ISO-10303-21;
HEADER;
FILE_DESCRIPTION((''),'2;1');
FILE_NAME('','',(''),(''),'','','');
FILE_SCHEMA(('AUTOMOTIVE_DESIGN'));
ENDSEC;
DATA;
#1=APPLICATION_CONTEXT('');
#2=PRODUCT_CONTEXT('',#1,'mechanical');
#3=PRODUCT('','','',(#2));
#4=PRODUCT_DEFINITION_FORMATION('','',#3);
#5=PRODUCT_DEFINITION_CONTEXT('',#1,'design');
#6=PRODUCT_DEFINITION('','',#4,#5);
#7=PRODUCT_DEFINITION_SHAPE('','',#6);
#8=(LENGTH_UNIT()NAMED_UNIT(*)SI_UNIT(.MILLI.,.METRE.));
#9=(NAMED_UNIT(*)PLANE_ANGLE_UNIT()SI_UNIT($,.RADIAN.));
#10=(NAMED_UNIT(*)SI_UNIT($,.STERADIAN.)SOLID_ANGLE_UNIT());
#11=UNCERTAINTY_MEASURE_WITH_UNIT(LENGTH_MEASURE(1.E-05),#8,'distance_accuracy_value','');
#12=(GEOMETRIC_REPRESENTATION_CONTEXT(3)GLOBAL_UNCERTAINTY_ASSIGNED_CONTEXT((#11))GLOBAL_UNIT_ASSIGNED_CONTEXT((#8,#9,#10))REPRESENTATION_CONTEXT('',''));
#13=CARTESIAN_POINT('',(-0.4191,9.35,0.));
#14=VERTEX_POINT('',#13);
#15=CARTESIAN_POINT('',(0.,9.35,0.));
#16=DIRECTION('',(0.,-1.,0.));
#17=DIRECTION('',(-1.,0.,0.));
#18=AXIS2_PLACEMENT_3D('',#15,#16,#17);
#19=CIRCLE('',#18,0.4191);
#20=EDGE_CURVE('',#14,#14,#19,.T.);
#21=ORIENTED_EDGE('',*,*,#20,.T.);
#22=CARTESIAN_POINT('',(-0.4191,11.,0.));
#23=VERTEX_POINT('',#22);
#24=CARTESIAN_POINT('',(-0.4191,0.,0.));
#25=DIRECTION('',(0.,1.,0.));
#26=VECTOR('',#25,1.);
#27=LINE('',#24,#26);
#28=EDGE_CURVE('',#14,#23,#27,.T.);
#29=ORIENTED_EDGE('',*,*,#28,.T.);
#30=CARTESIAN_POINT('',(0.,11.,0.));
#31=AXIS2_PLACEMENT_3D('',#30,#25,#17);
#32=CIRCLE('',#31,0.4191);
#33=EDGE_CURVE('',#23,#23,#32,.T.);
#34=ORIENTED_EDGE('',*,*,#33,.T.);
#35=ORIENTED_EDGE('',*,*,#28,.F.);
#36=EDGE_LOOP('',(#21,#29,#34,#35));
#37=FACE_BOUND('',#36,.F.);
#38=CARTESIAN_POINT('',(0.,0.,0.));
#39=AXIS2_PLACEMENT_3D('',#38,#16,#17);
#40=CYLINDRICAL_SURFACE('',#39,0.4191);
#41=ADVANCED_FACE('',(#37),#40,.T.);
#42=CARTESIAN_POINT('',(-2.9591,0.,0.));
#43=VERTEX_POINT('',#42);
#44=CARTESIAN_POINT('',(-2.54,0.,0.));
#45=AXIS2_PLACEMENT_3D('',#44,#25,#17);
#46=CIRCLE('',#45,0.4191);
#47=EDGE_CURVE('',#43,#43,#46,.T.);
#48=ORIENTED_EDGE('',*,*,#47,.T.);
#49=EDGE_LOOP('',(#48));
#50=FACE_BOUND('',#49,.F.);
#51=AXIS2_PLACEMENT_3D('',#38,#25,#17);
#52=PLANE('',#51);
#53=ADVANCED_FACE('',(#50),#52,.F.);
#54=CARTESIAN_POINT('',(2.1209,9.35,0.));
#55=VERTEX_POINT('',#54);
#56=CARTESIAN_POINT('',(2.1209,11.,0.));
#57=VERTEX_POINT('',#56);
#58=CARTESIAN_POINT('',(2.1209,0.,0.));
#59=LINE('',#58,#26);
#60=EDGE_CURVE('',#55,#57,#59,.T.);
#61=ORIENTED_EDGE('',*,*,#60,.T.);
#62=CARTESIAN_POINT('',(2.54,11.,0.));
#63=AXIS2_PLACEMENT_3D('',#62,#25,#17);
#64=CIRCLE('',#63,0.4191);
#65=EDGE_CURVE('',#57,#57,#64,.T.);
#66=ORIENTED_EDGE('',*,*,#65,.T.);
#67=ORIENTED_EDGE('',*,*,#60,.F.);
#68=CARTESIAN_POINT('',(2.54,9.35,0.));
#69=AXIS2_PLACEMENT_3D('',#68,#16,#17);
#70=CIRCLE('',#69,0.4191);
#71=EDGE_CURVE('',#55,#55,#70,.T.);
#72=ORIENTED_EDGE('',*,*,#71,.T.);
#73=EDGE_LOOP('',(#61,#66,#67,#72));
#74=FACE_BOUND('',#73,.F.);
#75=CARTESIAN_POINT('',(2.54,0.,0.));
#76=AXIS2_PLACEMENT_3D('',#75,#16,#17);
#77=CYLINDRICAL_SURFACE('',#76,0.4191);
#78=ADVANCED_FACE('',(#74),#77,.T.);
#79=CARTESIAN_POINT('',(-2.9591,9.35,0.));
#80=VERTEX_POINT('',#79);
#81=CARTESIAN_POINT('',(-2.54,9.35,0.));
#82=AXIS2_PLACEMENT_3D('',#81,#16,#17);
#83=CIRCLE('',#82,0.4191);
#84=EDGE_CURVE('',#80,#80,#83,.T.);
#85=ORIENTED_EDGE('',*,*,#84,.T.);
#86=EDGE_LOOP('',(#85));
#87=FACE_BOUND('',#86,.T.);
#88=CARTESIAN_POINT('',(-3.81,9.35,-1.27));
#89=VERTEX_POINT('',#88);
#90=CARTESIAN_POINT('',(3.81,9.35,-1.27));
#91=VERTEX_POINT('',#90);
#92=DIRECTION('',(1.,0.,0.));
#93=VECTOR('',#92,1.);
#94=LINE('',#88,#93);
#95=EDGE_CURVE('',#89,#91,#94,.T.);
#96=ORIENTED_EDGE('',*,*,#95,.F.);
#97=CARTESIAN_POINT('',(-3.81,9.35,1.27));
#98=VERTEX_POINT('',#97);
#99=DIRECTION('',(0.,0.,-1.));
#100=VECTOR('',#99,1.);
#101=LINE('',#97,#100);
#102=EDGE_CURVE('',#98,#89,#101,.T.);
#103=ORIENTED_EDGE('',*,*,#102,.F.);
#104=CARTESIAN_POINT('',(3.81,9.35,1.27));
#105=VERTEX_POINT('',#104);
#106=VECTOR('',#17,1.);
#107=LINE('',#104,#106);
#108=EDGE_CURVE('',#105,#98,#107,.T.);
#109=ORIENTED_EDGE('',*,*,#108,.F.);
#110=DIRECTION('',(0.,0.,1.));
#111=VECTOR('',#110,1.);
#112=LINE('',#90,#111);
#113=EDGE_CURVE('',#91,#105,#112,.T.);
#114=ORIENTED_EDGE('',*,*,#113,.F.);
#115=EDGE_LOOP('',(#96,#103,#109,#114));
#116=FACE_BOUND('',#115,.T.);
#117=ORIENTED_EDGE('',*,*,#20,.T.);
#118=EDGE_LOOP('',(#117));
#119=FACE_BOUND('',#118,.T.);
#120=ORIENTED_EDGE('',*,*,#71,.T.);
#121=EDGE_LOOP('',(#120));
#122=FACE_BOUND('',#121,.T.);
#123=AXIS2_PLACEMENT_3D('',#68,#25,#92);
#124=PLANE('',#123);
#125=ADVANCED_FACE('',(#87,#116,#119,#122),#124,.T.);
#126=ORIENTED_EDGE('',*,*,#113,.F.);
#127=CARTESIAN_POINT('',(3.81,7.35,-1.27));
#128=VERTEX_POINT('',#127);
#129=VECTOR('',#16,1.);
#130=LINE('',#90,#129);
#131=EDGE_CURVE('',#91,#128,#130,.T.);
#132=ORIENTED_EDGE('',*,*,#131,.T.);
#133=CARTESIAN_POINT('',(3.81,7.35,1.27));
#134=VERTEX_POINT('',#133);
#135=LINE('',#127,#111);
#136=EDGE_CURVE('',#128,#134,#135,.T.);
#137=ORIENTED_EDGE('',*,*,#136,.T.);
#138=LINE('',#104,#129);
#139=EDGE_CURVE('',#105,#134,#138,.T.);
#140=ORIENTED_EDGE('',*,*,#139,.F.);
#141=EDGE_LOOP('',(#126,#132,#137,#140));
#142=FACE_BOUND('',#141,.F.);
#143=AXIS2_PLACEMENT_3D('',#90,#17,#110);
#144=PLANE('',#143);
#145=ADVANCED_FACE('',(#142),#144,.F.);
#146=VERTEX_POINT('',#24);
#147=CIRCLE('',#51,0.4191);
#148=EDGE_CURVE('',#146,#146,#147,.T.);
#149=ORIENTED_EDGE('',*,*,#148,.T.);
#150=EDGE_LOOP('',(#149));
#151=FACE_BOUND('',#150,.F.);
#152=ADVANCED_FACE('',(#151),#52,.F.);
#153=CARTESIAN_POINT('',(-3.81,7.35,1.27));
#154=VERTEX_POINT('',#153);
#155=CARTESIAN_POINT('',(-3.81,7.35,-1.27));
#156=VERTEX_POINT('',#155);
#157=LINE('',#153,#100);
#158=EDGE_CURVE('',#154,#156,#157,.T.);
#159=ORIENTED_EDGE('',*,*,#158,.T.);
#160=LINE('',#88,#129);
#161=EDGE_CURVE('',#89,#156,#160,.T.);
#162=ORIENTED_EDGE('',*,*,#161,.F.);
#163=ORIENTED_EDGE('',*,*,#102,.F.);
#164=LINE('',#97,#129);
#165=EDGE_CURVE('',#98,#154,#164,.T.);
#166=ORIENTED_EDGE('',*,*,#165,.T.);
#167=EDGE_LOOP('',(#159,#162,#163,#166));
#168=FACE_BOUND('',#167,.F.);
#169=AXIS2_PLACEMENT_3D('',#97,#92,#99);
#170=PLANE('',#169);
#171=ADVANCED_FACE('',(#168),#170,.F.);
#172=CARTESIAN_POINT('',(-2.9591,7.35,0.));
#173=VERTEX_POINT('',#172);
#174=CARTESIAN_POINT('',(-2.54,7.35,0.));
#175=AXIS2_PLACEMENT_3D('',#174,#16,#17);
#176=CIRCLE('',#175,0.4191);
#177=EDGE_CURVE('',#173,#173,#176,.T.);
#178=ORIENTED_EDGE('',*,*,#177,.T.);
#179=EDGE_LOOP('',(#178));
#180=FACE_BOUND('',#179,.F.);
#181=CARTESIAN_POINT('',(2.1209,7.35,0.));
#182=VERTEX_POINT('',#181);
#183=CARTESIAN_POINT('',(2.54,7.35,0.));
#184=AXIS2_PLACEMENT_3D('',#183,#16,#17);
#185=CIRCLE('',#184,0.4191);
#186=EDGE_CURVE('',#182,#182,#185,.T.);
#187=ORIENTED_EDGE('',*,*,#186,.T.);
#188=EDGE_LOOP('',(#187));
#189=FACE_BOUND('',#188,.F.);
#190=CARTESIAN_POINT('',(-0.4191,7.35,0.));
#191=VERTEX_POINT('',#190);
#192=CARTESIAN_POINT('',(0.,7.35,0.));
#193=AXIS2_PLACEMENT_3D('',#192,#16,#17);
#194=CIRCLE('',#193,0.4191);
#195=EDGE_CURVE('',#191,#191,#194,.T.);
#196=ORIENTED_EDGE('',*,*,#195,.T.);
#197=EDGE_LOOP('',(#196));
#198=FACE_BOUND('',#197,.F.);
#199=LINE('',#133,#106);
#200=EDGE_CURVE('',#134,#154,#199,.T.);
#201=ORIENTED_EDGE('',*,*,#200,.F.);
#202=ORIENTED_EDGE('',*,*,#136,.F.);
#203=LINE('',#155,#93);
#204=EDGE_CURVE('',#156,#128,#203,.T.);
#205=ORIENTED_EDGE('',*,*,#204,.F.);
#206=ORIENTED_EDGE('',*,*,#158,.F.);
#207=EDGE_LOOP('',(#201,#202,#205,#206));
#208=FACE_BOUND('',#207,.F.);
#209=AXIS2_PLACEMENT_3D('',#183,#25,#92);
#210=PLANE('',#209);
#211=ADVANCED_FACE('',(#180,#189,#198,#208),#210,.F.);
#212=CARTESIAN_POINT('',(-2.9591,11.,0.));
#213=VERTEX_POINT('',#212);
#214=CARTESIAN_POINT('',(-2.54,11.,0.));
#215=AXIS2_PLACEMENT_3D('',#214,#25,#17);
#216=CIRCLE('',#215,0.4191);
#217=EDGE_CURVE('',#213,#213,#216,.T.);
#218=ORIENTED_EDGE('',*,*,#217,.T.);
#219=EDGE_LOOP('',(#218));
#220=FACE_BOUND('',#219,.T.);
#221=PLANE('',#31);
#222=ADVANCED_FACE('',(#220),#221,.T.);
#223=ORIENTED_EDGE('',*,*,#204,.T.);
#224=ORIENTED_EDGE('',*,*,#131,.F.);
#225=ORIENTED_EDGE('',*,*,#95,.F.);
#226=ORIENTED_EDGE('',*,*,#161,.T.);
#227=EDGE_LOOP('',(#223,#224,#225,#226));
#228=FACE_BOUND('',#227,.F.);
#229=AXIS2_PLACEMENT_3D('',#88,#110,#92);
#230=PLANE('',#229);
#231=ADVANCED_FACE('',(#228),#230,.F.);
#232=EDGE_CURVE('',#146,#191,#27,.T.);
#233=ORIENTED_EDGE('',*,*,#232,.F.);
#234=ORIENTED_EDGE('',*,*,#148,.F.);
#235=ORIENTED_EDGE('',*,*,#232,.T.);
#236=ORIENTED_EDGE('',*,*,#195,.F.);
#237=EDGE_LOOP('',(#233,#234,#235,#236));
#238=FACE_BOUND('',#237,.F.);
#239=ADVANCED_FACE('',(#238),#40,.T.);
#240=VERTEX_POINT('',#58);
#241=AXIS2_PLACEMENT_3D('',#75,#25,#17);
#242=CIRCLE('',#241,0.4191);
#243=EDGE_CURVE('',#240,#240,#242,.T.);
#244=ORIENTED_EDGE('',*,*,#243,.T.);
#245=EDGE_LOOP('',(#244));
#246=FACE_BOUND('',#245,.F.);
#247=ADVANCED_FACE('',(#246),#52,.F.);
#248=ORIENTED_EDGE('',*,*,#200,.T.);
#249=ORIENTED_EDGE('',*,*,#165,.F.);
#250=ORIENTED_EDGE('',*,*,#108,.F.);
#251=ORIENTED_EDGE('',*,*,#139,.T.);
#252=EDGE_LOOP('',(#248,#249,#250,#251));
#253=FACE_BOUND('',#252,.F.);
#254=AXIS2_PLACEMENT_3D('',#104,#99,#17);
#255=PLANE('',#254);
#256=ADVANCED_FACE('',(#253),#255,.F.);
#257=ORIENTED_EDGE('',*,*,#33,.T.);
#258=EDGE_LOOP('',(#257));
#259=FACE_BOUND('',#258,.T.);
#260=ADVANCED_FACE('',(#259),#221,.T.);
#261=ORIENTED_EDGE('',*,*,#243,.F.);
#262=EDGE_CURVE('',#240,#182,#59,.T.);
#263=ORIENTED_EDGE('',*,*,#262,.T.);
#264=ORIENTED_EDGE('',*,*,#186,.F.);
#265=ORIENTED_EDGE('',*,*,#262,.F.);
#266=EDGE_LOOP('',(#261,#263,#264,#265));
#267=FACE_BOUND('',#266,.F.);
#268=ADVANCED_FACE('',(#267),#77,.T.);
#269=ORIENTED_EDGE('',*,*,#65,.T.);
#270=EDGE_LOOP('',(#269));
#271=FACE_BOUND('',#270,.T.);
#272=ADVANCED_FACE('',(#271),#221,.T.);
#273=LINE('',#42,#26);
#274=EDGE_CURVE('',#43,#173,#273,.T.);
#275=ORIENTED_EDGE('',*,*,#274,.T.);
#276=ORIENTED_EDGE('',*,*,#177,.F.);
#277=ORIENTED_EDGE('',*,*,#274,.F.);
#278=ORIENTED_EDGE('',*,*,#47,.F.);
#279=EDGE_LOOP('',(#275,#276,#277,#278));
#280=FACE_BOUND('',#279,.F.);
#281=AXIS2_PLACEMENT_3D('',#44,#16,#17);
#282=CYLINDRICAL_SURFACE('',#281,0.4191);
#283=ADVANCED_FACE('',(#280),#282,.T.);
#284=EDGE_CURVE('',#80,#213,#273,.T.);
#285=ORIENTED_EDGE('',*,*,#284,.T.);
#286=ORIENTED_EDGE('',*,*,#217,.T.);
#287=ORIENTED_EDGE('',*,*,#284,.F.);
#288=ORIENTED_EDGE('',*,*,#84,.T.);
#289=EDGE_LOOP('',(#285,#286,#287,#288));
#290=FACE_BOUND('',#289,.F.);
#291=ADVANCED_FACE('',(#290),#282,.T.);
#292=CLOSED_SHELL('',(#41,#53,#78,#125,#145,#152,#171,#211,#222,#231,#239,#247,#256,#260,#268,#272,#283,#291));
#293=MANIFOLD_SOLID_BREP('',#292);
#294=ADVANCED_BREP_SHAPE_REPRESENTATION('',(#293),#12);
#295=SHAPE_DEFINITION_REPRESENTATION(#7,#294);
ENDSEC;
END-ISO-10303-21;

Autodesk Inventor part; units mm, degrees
ref_plane "YZ Plane" through (0, 0, 0) normal (1, 0, 0) x (0, 1, 0)
ref_plane "XZ Plane" through (0, 0, 0) normal (0, 1, 0) x (-1, 0, 0)
sketch "Sketch1" plane through (0, 0, 0) normal (0, 1, 0) x (-1, 0, 0)
  circle A0 centre (0, 0) radius 0.4191
  circle A1 centre (2.54, 0) radius 0.4191
  circle A2 centre (-2.54, 0) radius 0.4191
  dimension "d0" = 0.8382
  dimension "d1" = 0.8382
  dimension "d2" = 0.8382
  dimension "d3" = 2.54
  dimension "d4" = 2.54
extrude "Extrusion1" add sketch "Sketch1" along normal blind 11
ref_plane "Work Plane1" through (2.54, 9.35, 0) normal (0, 1, 0) x (1, 0, 0)
sketch "Sketch2" plane through (2.54, 9.35, 0) normal (0, 1, 0) x (1, 0, 0)
  line L0 (-6.35, 1.27) -> (1.27, 1.27)
  line L1 (1.27, 1.27) -> (1.27, -1.27)
  line L2 (1.27, -1.27) -> (-6.35, -1.27)
  line L3 (-6.35, -1.27) -> (-6.35, 1.27)
  point P0 (-2.54, 0)
  dimension "d8" = 3.81
  dimension "d9" = 3.81
  dimension "d10" = 1.27
  dimension "d11" = 2.54
extrude "Extrusion2" add sketch "Sketch2" against normal blind 2
properties part number "3PinHeader"
